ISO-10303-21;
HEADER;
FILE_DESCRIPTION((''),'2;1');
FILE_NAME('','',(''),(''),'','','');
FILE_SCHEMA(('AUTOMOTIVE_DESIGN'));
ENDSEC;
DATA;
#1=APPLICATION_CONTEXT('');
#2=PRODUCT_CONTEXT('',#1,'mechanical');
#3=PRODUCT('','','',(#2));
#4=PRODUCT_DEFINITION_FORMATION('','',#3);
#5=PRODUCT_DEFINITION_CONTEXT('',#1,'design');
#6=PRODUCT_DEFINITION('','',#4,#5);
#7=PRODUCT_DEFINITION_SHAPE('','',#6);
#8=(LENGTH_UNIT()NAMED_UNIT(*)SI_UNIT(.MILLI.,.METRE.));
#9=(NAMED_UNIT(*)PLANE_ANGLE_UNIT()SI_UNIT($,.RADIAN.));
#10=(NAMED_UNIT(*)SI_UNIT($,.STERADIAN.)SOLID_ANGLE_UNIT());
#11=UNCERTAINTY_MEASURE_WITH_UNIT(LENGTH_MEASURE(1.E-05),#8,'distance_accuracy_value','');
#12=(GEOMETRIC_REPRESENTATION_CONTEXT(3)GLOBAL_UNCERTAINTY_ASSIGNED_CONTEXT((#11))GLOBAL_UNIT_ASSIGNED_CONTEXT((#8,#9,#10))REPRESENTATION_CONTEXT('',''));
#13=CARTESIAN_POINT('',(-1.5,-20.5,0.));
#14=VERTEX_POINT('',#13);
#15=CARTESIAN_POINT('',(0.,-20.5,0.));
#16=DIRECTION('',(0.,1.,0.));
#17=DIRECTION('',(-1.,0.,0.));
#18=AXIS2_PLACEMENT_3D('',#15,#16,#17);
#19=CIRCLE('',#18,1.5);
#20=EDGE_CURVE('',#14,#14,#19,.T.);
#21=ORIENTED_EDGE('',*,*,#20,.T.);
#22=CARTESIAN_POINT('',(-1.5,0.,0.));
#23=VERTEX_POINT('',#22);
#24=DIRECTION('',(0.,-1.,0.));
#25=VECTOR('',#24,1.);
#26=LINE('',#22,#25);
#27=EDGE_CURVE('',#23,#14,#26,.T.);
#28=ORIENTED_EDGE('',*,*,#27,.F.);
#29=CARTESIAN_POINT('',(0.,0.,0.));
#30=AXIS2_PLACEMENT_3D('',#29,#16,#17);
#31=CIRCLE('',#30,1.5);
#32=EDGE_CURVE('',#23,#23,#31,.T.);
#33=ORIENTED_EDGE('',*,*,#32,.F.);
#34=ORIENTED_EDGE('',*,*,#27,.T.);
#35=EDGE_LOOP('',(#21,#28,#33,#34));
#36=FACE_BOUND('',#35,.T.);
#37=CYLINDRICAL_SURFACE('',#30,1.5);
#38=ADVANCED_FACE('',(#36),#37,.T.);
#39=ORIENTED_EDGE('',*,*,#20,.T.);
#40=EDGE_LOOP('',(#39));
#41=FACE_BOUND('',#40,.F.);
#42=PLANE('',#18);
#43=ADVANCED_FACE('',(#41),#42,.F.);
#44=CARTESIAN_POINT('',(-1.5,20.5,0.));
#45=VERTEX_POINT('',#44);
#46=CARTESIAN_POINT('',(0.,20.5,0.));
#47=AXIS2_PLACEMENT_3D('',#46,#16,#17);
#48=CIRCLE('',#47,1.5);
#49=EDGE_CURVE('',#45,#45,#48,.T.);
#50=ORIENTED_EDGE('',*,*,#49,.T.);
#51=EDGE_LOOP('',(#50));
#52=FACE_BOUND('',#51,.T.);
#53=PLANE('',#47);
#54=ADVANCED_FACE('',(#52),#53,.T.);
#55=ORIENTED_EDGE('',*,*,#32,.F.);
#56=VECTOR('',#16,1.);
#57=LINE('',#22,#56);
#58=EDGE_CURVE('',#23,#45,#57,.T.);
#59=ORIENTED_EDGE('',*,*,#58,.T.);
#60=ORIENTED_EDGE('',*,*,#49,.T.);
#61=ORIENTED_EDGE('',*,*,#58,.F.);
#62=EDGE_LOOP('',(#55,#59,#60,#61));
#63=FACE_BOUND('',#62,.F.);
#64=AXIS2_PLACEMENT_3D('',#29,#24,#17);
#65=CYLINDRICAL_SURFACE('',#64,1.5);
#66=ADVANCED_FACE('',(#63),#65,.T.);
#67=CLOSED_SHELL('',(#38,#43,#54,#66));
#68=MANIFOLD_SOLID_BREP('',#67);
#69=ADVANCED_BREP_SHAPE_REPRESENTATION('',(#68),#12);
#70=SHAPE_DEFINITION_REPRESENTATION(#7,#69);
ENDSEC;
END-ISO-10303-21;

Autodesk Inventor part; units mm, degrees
ref_plane "YZ Plane" through (0, 0, 0) normal (1, 0, 0) x (0, 1, 0)
ref_plane "XZ Plane" through (0, 0, 0) normal (0, 1, 0) x (-1, 0, 0)
ref_plane "XY Plane" through (0, 0, 0) normal (0, 0, 1) x (1, 0, 0)
sketch "Эскиз1" plane through (0, 0, 0) normal (0, 1, 0) x (-1, 0, 0)
  circle A0 centre (0, 0) radius 1.5
  dimension "d0" = 3
extrude "Выдавливание1" add sketch "Эскиз1" along normal mid plane 41
properties part number "Вал"
